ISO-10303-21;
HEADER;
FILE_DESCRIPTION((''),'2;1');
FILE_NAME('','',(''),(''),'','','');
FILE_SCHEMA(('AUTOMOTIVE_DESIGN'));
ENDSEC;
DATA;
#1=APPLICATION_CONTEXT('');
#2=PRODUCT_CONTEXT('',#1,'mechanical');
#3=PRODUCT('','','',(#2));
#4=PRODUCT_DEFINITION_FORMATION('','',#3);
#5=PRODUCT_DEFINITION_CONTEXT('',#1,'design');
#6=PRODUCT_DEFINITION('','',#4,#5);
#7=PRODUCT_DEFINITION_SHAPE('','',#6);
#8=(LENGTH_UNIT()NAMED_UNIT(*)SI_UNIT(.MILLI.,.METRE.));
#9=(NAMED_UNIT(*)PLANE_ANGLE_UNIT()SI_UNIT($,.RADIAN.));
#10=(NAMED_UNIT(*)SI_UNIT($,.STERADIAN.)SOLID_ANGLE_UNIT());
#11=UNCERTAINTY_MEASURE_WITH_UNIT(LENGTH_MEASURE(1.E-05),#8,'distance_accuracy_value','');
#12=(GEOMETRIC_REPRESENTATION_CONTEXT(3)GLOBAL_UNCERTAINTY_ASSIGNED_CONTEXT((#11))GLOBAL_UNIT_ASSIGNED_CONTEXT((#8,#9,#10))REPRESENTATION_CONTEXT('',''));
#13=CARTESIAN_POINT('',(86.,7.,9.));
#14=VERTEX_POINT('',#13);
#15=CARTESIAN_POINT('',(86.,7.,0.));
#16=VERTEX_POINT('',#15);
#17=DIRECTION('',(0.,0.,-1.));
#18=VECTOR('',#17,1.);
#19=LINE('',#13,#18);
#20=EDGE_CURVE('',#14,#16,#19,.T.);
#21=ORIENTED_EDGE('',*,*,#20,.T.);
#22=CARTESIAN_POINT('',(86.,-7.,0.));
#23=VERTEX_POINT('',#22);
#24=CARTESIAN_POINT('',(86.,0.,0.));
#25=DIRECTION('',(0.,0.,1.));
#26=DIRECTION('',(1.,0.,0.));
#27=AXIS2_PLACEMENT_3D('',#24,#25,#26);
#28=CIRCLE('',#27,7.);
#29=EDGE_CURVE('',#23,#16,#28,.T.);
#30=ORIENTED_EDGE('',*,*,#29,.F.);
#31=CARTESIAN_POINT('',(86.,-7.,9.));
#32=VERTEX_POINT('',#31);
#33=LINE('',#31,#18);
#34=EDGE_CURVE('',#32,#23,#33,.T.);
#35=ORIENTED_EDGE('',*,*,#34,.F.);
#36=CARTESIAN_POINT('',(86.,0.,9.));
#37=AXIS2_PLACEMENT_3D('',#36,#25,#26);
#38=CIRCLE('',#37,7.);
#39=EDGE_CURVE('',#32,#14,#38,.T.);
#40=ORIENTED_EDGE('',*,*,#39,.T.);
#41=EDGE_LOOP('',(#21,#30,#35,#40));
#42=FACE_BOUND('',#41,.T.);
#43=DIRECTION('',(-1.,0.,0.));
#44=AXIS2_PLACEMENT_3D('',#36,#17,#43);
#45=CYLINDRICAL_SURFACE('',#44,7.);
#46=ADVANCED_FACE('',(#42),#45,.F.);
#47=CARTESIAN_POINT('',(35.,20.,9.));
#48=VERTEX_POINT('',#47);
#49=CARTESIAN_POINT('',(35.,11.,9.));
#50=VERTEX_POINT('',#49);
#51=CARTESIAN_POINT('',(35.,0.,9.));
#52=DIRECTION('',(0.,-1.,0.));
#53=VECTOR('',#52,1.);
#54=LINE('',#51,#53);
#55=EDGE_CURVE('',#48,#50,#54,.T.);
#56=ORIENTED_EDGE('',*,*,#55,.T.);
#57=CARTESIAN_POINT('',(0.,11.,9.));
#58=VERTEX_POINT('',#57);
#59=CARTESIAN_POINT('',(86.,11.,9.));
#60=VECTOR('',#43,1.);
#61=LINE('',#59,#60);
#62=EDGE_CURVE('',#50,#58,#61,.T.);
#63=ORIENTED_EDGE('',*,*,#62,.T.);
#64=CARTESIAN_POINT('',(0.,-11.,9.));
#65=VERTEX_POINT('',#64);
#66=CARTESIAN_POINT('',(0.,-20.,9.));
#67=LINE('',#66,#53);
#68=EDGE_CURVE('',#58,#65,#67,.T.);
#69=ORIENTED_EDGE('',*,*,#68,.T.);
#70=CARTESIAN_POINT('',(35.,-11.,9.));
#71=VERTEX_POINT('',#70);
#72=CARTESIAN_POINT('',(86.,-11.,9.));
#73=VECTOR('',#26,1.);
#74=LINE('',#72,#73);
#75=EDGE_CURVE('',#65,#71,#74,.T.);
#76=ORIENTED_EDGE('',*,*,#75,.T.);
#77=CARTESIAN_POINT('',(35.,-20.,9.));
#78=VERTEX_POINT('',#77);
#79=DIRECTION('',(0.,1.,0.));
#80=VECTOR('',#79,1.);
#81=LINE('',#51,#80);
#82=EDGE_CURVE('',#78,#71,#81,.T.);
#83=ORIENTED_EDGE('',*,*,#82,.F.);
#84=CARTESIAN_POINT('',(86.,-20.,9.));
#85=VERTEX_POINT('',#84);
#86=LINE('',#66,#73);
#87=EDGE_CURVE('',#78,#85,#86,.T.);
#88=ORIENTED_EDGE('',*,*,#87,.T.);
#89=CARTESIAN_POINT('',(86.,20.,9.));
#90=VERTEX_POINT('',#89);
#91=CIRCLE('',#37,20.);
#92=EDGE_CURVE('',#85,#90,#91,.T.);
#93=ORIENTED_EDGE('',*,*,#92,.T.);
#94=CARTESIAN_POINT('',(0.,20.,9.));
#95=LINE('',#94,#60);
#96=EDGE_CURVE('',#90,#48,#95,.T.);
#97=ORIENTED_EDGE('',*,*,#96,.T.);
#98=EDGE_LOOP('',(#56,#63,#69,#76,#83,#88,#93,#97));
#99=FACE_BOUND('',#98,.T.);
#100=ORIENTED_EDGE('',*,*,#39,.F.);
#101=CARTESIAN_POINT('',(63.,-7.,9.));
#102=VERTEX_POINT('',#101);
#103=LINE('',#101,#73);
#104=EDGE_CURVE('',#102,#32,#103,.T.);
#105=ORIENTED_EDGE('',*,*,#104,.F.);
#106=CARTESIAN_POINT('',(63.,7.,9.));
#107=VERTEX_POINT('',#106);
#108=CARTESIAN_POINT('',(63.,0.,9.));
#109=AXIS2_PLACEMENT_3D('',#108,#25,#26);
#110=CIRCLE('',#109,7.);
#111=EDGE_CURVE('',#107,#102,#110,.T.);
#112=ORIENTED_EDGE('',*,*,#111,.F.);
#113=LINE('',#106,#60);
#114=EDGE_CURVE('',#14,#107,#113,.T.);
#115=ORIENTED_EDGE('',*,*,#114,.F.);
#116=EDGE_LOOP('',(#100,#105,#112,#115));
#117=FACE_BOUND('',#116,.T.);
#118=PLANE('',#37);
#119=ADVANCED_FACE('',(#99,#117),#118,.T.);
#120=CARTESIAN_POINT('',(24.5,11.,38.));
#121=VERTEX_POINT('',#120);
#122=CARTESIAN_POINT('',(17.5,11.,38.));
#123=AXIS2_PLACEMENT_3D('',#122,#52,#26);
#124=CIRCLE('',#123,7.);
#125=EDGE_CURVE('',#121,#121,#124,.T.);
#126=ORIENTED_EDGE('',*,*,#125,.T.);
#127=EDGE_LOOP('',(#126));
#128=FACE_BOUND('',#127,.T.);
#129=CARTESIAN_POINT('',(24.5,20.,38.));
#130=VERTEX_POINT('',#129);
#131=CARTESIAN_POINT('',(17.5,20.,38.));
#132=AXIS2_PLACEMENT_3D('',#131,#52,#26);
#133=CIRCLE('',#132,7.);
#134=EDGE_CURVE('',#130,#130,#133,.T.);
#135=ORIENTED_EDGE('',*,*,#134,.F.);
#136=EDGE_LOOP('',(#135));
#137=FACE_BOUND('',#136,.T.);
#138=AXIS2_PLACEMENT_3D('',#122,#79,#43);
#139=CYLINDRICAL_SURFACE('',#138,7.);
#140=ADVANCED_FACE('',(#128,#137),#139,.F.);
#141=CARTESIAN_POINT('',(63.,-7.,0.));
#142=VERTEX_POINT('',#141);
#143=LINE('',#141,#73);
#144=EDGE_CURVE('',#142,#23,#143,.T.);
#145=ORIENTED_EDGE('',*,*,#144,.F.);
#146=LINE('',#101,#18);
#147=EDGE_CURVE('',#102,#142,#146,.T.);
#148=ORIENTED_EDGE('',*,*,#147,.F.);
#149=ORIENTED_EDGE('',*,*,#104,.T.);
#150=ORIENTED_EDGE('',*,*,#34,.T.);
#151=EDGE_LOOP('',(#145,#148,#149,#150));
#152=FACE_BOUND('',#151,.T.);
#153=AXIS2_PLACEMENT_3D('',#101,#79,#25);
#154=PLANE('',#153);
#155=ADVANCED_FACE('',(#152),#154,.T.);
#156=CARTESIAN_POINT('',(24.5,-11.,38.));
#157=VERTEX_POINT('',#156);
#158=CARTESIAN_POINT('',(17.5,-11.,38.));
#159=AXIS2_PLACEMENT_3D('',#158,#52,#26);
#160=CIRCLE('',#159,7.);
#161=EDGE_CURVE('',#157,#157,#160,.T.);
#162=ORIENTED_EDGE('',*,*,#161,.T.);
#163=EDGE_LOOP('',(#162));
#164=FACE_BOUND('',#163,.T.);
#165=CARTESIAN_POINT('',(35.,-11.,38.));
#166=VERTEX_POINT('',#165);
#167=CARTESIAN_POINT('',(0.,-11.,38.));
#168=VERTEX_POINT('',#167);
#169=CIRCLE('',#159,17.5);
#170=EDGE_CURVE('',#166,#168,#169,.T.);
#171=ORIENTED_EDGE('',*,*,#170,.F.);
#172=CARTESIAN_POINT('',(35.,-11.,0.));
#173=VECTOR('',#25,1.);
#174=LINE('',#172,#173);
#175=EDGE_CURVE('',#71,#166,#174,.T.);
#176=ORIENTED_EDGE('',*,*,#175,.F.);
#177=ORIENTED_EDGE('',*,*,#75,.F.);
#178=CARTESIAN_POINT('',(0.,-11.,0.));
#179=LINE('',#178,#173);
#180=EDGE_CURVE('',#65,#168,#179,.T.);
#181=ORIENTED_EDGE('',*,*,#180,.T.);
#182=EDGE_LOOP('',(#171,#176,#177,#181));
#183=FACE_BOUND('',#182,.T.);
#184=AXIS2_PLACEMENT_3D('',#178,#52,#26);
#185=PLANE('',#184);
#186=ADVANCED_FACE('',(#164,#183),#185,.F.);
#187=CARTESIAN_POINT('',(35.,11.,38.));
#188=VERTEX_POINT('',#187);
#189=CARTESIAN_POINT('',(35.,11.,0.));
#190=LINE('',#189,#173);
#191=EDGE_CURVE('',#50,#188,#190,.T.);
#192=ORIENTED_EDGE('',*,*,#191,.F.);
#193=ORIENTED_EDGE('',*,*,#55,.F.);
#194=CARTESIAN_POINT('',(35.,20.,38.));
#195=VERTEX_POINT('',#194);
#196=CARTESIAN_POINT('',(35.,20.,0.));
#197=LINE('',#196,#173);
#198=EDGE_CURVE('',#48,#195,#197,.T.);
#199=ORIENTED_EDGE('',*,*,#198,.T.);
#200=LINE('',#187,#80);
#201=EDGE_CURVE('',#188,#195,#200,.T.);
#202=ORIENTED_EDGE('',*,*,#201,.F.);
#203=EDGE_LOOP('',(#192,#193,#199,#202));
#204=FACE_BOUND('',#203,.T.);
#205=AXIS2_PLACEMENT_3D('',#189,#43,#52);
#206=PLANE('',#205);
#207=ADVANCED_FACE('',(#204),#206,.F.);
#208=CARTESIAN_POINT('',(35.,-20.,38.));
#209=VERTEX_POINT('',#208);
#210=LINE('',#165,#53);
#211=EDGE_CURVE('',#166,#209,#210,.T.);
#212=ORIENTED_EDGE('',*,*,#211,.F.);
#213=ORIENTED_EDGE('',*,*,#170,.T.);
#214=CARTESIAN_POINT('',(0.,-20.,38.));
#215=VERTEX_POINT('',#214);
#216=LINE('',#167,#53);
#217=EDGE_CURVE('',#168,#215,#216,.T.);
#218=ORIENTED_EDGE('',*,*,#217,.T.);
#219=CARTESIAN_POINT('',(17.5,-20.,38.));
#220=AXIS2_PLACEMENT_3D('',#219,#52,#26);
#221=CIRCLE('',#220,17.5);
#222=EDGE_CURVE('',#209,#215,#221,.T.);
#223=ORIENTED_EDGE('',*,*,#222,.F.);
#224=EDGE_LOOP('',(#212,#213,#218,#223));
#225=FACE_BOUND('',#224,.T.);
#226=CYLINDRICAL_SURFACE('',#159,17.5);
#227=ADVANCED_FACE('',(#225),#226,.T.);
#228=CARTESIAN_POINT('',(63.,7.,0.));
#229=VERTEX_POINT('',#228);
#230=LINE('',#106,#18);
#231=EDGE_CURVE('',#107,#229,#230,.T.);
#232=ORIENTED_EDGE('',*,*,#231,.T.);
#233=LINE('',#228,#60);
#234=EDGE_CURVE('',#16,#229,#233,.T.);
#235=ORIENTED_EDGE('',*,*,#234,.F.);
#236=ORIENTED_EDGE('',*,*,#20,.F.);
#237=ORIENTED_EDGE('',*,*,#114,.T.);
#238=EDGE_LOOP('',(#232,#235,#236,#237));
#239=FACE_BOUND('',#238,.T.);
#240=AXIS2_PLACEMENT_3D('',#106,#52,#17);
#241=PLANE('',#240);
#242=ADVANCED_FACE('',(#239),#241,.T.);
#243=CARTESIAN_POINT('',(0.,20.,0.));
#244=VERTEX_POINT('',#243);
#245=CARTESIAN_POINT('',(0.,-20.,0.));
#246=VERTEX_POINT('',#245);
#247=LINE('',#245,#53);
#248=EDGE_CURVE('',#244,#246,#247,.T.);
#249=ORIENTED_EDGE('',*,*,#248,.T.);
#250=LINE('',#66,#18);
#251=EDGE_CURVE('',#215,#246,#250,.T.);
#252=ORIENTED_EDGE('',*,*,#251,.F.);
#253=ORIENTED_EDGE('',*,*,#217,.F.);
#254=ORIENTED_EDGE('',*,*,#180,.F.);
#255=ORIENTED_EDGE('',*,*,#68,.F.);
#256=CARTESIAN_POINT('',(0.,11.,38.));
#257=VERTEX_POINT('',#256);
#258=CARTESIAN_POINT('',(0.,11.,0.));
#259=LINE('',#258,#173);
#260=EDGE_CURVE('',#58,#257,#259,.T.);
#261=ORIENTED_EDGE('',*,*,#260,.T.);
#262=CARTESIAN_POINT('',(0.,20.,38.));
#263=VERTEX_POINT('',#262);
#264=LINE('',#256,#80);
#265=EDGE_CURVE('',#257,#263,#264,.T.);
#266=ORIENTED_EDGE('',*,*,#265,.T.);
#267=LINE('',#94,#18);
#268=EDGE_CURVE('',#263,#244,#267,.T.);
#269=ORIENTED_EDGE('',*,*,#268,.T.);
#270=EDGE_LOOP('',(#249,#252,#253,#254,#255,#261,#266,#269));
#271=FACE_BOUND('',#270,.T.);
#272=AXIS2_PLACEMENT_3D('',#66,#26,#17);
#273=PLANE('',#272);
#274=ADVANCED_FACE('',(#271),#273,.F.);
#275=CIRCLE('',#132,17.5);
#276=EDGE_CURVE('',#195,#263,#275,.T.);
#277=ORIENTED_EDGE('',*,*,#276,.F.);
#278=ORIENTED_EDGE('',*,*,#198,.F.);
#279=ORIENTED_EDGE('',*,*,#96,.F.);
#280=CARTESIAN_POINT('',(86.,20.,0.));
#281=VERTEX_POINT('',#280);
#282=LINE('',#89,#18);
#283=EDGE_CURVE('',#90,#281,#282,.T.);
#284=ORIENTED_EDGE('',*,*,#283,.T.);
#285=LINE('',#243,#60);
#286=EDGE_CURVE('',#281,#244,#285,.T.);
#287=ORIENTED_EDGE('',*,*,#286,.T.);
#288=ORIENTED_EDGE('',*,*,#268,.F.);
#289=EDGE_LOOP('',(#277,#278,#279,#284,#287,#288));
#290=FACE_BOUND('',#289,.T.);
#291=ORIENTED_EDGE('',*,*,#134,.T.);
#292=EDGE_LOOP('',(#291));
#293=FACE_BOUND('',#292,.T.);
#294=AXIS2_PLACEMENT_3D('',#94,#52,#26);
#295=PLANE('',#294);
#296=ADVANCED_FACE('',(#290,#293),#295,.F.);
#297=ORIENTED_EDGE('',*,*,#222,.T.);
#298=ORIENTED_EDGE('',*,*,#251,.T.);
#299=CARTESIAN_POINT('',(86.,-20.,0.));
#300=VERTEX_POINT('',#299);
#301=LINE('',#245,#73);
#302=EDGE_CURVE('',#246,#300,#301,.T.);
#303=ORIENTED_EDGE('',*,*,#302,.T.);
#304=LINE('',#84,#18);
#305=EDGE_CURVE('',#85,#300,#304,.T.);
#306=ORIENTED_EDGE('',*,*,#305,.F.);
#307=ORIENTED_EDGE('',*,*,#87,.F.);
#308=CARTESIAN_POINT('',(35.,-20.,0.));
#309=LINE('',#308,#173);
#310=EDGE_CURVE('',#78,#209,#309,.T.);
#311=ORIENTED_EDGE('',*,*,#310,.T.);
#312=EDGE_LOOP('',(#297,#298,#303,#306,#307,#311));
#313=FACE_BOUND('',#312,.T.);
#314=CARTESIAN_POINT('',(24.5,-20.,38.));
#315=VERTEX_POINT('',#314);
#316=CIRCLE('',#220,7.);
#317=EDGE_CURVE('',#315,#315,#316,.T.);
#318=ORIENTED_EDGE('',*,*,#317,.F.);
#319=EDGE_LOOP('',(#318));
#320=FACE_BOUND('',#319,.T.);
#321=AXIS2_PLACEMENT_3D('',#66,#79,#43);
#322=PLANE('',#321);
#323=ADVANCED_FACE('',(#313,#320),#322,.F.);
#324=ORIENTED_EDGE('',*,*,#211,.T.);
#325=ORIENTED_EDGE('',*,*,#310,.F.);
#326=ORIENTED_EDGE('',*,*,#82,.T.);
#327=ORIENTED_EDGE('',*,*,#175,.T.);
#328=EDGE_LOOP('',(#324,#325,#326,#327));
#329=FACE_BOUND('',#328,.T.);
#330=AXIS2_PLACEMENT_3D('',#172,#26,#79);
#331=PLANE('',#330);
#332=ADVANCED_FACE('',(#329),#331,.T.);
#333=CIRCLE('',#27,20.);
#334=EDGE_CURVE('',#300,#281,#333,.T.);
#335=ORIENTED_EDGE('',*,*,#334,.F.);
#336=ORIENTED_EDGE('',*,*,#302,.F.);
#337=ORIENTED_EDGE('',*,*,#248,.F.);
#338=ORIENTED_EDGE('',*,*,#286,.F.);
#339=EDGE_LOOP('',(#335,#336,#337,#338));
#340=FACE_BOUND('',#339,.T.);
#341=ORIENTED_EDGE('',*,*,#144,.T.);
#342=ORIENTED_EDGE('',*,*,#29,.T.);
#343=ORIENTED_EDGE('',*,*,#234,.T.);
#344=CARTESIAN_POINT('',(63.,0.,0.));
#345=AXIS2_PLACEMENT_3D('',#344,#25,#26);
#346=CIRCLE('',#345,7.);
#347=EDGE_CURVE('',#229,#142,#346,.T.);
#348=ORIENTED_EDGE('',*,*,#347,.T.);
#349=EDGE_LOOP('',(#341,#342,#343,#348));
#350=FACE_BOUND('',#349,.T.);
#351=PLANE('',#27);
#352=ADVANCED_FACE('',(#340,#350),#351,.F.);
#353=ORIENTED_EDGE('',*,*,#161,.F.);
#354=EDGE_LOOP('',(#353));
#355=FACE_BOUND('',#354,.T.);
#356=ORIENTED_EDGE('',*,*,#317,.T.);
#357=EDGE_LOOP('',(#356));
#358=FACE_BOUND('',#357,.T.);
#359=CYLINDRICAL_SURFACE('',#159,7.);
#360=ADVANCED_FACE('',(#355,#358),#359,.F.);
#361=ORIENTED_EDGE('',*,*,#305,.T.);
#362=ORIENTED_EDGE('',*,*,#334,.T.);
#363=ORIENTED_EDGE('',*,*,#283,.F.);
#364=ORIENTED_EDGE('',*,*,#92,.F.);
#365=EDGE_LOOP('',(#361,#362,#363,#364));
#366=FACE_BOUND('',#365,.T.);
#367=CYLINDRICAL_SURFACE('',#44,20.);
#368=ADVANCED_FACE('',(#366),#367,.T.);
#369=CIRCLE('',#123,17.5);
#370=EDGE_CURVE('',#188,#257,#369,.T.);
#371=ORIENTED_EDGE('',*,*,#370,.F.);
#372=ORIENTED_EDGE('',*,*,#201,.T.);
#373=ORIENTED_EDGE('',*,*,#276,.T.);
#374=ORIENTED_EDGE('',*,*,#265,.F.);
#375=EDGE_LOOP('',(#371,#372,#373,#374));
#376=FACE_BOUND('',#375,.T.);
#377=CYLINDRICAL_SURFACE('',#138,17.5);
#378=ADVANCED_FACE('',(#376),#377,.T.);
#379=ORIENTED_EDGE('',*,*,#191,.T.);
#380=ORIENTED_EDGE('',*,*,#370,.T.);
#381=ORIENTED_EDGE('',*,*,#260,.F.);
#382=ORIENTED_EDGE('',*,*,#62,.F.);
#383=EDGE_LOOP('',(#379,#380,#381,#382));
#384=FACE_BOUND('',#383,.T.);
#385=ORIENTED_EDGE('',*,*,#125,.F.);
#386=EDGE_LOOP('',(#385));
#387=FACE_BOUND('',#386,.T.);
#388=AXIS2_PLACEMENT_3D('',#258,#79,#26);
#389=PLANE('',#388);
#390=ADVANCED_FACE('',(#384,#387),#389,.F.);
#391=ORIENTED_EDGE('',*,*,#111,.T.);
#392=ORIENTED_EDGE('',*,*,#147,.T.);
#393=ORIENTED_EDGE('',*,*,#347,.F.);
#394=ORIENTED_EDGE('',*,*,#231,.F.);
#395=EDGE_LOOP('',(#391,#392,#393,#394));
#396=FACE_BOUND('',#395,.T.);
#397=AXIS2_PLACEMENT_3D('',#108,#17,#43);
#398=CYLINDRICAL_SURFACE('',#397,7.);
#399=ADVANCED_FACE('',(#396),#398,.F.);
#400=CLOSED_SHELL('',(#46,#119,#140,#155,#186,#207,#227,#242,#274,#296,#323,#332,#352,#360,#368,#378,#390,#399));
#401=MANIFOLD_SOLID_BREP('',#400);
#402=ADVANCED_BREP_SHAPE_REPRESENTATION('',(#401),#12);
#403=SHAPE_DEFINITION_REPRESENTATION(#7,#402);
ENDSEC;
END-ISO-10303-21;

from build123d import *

# Parameters (mm, degrees)
BOSS_EXTRUDE1_DEPTH = 9
SKETCH3_R           = 17.5
SKETCH3_R_2         = 7
SKETCH3_W           = 35
SKETCH3_H           = 9
BOSS_EXTRUDE2_DEPTH = 9


with BuildPart() as part:
    # Sketch1 → Boss-Extrude1 (new body)
    with BuildSketch(Plane.XY):
        with BuildLine():
            Line((0, -20), (86, -20))
            ThreePointArc((86, -20), (106, 0), (86, 20))
            Line((86, 20), (0, 20))
            Line((0, 20), (0, -20))
        make_face()
        with BuildLine():
            Line((63, 7), (86, 7))
            ThreePointArc((86, 7), (93, 0), (86, -7))
            Line((86, -7), (63, -7))
            ThreePointArc((63, -7), (56, 0), (63, 7))
        make_face(mode=Mode.SUBTRACT)
    extrude(amount=BOSS_EXTRUDE1_DEPTH)

    # Sketch3 → Boss-Extrude2 (add)
    with BuildSketch(Plane.XZ.offset(20)):
        with BuildLine():
            Line((0, 38), (0, 9))
            Line((0, 9), (35, 9))
            Line((35, 9), (35, 38))
            ThreePointArc((35, 38), (17.5, 20.5), (0, 38))
        make_face()
        with Locations((17.5, 38)):
            Circle(SKETCH3_R)
        with Locations((17.5, 38)):
            Circle(SKETCH3_R_2, mode=Mode.SUBTRACT)
        with Locations((17.5, 4.5)):
            Rectangle(SKETCH3_W, SKETCH3_H)
    boss_extrude2 = extrude(amount=-BOSS_EXTRUDE2_DEPTH)

    # Mirror1: Boss-Extrude2 across plane
    add(boss_extrude2.mirror(Plane.ZX))


solid = part.part
